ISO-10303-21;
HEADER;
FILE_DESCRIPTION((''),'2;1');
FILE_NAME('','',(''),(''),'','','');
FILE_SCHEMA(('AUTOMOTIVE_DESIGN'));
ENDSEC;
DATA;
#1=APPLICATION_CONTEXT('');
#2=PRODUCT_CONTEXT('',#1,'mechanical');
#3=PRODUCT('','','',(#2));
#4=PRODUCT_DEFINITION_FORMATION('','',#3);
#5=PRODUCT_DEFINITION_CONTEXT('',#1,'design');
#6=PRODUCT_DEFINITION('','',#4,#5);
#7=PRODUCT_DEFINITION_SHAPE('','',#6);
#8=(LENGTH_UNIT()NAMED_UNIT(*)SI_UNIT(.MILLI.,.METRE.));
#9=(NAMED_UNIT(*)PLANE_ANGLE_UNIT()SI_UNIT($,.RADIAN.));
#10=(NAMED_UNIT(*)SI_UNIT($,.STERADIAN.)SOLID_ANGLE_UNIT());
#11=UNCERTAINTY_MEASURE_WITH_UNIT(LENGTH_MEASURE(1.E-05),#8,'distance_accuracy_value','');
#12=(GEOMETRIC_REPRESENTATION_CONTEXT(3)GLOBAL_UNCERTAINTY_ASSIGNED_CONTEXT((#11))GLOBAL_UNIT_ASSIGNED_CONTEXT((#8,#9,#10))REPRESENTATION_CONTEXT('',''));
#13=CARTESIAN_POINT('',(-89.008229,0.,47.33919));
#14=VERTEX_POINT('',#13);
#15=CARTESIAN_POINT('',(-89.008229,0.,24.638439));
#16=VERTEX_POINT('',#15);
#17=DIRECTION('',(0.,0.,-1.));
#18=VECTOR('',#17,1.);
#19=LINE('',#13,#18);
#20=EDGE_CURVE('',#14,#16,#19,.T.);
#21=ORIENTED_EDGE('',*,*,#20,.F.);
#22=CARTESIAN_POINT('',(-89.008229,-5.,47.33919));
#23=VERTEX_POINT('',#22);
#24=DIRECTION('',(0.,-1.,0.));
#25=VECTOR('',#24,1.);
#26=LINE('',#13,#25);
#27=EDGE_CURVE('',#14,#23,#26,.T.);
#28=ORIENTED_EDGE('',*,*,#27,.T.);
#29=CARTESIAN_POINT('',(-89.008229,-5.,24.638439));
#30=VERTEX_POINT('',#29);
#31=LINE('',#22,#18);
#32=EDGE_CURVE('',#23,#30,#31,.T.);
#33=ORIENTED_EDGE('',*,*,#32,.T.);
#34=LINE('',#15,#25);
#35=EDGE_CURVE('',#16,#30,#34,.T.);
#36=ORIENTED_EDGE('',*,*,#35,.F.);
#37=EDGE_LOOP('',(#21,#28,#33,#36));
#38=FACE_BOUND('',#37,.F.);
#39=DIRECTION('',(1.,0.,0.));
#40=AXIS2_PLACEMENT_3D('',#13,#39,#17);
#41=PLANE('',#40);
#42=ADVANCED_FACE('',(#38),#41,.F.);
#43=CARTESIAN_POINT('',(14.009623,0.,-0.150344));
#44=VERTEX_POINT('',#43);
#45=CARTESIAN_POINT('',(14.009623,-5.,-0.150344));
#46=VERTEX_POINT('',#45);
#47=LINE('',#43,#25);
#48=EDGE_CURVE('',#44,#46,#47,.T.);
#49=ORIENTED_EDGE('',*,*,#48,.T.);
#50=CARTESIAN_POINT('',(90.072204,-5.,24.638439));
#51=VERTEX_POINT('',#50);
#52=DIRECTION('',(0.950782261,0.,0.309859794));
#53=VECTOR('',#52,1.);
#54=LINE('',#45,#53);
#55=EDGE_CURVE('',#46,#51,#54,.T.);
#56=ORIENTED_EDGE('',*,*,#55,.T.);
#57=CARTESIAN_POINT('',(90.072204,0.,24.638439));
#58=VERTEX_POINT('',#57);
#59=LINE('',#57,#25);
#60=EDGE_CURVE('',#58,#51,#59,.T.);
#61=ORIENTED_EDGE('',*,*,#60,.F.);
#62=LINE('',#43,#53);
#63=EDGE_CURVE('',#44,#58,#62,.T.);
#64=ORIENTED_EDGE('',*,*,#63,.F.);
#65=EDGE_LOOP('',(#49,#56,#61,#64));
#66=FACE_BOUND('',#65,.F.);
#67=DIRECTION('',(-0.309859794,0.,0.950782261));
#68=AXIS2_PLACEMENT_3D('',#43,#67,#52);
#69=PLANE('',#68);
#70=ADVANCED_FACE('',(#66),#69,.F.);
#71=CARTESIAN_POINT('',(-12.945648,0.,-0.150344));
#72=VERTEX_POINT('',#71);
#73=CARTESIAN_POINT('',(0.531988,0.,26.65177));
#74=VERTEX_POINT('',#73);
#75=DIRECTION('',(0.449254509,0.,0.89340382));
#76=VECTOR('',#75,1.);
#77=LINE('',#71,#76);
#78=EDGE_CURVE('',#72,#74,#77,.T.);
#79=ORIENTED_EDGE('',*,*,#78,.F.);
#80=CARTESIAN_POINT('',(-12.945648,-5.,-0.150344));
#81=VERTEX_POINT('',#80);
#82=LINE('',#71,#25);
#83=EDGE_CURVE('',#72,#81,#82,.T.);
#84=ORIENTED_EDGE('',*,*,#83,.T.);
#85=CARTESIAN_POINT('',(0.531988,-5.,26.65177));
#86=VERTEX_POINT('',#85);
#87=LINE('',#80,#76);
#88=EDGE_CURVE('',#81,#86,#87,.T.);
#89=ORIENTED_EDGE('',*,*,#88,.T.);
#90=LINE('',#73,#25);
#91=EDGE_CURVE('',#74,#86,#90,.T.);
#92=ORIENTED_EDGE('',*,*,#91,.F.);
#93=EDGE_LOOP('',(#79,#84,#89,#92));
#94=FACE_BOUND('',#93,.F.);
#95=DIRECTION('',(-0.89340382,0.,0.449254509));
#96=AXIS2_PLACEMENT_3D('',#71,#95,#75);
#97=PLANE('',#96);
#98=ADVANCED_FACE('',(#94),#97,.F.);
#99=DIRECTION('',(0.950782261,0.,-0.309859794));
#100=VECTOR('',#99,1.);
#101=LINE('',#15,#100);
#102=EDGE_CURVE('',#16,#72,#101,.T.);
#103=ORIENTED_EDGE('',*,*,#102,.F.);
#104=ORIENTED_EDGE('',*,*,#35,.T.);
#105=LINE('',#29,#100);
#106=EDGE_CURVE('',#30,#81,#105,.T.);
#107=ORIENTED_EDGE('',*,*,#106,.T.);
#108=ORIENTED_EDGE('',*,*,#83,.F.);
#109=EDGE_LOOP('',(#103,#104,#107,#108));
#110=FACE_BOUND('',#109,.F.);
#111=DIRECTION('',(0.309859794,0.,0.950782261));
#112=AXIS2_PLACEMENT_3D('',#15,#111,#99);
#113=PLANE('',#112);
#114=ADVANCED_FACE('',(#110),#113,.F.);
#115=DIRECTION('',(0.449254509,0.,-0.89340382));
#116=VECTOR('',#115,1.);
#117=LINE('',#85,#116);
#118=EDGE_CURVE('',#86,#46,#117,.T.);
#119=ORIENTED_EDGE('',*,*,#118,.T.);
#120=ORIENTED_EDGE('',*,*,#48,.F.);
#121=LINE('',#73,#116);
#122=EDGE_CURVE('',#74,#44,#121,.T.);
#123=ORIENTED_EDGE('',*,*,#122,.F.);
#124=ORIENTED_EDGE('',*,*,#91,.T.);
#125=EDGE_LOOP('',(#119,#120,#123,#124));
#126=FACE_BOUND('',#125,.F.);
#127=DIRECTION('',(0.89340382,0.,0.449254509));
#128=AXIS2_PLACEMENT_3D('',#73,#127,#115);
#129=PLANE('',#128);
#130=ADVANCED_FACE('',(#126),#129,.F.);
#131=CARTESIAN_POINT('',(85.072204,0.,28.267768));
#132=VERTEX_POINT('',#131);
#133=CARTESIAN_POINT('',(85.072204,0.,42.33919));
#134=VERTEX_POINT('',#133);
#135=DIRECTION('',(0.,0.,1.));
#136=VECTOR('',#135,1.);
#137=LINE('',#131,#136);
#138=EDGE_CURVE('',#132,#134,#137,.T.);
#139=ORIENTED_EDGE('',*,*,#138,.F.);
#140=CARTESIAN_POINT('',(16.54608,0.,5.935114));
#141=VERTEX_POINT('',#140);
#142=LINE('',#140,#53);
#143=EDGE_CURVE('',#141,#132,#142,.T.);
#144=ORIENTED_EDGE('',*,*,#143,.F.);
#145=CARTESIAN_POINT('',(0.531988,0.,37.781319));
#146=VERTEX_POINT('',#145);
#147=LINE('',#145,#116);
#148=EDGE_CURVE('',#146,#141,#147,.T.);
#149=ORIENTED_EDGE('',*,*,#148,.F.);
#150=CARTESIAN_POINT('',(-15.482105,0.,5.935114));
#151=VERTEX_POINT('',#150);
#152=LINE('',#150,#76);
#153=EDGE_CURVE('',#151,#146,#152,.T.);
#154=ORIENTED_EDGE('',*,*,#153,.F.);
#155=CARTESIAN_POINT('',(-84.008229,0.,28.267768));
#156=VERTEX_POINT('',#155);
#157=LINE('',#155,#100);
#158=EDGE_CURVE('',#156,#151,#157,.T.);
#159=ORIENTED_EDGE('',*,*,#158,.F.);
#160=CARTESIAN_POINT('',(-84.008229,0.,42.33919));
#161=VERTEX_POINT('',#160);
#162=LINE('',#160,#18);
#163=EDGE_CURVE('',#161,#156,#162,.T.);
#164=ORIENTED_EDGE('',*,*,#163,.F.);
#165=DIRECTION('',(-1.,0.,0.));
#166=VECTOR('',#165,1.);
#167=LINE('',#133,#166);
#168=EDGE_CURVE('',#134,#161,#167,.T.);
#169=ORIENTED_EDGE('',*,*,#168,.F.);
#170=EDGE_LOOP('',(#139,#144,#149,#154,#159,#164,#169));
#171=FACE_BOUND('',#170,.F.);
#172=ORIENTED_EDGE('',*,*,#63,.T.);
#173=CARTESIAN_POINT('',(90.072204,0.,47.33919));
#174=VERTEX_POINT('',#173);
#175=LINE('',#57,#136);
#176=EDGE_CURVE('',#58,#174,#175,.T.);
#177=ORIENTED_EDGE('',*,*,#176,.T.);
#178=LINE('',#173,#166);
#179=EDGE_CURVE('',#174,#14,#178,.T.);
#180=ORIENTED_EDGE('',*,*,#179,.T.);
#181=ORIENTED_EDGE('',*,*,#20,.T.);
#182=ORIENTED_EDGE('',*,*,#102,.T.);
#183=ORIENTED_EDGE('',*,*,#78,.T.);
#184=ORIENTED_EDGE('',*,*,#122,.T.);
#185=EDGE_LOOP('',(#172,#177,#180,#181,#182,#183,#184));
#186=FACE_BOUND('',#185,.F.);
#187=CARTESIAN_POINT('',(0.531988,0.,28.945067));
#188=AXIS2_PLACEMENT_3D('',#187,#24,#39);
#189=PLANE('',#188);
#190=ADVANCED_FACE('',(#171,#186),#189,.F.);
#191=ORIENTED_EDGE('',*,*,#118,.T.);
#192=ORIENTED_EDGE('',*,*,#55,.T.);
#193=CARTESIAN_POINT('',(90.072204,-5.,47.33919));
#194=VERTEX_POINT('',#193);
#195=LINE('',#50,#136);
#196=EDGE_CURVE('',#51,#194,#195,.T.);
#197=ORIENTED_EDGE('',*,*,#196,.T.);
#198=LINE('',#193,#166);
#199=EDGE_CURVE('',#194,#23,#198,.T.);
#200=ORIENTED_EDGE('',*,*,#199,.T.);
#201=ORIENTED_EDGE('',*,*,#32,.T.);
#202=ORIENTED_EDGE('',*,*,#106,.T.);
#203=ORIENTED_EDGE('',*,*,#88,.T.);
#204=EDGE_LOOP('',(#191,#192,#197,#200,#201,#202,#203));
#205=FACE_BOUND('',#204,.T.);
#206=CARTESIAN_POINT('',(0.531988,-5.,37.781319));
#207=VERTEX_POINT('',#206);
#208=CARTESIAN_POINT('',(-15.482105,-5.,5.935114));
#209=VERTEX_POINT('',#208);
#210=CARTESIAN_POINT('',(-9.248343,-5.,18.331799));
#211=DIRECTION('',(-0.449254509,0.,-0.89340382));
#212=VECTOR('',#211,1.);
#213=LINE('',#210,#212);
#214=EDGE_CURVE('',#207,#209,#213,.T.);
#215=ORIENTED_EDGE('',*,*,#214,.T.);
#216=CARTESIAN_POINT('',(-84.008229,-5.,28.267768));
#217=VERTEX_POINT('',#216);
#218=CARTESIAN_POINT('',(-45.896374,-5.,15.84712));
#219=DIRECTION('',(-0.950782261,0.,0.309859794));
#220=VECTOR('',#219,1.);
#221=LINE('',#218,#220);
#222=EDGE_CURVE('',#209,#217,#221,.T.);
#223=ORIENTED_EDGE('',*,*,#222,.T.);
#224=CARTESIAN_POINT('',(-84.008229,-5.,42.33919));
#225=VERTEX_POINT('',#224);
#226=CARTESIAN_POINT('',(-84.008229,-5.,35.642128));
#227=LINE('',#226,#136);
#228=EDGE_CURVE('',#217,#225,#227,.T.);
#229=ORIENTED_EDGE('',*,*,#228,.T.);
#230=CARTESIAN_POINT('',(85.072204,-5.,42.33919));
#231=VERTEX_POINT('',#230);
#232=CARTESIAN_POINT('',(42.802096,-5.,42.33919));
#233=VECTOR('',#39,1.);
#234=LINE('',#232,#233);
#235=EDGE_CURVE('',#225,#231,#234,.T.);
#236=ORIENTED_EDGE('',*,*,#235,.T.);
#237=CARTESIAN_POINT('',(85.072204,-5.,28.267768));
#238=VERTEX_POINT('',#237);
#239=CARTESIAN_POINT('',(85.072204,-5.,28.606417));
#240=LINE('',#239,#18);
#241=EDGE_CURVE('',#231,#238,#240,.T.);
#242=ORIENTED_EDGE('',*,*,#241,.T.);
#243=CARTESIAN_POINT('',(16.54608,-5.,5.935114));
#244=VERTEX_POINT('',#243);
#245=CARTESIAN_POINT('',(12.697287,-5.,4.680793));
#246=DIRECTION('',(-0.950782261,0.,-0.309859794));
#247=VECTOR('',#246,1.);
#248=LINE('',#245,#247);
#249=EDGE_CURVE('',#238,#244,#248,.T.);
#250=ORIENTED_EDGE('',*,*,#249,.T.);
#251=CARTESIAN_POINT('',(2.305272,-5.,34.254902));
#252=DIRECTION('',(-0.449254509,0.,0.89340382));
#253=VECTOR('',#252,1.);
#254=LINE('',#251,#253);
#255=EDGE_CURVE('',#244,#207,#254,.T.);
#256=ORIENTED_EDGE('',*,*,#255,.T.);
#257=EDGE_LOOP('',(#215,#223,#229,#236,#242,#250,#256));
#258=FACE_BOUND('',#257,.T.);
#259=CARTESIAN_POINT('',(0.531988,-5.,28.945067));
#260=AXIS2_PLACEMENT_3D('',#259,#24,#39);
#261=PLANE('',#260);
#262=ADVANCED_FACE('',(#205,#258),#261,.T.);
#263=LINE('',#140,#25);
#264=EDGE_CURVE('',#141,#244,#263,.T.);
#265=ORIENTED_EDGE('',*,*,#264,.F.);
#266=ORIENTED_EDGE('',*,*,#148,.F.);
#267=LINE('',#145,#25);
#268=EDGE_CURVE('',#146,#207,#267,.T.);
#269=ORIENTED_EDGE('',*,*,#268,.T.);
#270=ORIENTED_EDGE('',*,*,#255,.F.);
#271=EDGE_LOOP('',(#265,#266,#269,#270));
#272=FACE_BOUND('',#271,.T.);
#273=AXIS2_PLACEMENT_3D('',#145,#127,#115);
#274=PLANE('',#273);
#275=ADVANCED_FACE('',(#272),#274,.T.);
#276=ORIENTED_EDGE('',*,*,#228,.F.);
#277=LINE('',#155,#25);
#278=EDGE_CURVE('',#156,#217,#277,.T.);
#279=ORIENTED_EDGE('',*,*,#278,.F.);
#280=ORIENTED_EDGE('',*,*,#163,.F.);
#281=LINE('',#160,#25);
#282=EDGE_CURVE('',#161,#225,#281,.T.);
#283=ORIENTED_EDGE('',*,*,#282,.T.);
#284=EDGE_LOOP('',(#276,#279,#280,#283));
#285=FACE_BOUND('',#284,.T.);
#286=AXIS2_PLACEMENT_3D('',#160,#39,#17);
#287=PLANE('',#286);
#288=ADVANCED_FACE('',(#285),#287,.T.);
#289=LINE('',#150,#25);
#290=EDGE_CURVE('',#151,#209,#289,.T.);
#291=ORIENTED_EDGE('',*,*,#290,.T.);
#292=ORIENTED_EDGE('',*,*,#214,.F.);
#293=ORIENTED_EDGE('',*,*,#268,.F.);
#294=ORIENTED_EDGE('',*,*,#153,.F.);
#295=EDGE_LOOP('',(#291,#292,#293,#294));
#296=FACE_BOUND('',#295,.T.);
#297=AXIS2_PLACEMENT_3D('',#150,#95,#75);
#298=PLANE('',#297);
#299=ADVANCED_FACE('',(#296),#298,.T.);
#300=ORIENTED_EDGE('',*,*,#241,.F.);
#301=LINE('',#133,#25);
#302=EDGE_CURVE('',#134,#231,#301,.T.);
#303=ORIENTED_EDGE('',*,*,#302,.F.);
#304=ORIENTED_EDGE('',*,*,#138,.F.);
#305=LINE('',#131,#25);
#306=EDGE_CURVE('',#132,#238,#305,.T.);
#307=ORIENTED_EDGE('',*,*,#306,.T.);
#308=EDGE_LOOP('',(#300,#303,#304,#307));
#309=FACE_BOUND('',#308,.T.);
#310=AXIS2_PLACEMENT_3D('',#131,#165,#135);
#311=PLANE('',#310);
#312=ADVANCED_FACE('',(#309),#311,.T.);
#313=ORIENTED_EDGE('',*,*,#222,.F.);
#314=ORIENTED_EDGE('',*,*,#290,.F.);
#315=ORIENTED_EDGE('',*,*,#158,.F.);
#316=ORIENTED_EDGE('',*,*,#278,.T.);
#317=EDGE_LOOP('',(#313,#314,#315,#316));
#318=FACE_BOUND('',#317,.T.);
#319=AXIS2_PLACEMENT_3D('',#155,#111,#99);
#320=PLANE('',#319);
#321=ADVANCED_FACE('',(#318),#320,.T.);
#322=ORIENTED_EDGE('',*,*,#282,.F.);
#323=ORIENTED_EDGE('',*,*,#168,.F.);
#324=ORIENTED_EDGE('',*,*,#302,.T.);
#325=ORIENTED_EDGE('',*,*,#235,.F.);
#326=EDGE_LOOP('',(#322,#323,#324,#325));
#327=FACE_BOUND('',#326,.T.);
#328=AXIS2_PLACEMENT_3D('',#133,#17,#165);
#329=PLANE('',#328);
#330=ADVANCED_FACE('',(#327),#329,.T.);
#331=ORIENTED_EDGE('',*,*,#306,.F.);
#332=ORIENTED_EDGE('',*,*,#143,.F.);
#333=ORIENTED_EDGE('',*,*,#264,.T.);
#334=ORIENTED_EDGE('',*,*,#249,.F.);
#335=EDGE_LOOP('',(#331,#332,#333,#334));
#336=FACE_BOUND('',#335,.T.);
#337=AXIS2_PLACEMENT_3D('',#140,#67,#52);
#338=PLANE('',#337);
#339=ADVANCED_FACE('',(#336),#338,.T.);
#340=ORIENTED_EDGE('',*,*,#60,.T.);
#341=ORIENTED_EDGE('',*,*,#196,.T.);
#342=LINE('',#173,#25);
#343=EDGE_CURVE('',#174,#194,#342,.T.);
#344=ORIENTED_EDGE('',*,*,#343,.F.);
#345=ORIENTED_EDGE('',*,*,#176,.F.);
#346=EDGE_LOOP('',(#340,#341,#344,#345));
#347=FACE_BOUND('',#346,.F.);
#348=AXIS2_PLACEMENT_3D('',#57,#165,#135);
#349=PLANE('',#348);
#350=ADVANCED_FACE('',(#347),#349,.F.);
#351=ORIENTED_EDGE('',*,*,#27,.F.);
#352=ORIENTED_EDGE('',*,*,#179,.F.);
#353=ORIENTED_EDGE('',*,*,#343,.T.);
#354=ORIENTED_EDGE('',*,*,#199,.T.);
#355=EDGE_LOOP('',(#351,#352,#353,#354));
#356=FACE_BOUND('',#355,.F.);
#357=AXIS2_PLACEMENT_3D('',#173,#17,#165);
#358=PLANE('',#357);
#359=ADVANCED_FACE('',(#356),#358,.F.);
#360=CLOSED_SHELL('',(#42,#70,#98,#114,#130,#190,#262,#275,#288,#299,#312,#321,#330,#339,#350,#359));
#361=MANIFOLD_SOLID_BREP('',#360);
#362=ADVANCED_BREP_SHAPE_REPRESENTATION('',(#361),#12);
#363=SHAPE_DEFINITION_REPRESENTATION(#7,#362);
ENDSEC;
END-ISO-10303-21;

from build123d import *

# Parameters (mm, degrees)
F1_DEPTH = 150
F3_DEPTH = 163
F4_DEPTH = 145


with BuildPart() as f1:
    # F0 (on Front) → F1 (new body)
    with BuildSketch(Plane.XZ):
        Polygon((90.0722037068, 47.3391901924), (0.5319875367, 47.3391901924), (-89.0082286333, 47.3391901924), (-89.0082286333, 24.6384392554), (-12.9456477409, -0.1503442564), (0.5319875367, 26.651770349), (14.0096228144, -0.1503442564), (90.0722037068, 24.6384392554), align=None)
    extrude(amount=F1_DEPTH)

    # F2 (on Front) → F3 (cut)
    with BuildSketch(Plane.XZ):
        Polygon((-15.4821047033, 5.9351143447), (0.5319875367, 37.7813193113), (16.5460797768, 5.9351143447), (85.0722036495, 28.2677676632), (85.0722036495, 42.3391901351), (-84.008228576, 42.3391901351), (-84.008228576, 28.2677676632), align=None)
    extrude(amount=F3_DEPTH, mode=Mode.SUBTRACT)

    # F4 (cut): a face of the model
    f4_faces = [f1.faces().sort_by_distance(p)[0] for p in [
        (0.5319875367, -150, 29.1828717422),
    ]]
    extrude(f4_faces, amount=-F4_DEPTH, mode=Mode.SUBTRACT)


solid = f1.part
